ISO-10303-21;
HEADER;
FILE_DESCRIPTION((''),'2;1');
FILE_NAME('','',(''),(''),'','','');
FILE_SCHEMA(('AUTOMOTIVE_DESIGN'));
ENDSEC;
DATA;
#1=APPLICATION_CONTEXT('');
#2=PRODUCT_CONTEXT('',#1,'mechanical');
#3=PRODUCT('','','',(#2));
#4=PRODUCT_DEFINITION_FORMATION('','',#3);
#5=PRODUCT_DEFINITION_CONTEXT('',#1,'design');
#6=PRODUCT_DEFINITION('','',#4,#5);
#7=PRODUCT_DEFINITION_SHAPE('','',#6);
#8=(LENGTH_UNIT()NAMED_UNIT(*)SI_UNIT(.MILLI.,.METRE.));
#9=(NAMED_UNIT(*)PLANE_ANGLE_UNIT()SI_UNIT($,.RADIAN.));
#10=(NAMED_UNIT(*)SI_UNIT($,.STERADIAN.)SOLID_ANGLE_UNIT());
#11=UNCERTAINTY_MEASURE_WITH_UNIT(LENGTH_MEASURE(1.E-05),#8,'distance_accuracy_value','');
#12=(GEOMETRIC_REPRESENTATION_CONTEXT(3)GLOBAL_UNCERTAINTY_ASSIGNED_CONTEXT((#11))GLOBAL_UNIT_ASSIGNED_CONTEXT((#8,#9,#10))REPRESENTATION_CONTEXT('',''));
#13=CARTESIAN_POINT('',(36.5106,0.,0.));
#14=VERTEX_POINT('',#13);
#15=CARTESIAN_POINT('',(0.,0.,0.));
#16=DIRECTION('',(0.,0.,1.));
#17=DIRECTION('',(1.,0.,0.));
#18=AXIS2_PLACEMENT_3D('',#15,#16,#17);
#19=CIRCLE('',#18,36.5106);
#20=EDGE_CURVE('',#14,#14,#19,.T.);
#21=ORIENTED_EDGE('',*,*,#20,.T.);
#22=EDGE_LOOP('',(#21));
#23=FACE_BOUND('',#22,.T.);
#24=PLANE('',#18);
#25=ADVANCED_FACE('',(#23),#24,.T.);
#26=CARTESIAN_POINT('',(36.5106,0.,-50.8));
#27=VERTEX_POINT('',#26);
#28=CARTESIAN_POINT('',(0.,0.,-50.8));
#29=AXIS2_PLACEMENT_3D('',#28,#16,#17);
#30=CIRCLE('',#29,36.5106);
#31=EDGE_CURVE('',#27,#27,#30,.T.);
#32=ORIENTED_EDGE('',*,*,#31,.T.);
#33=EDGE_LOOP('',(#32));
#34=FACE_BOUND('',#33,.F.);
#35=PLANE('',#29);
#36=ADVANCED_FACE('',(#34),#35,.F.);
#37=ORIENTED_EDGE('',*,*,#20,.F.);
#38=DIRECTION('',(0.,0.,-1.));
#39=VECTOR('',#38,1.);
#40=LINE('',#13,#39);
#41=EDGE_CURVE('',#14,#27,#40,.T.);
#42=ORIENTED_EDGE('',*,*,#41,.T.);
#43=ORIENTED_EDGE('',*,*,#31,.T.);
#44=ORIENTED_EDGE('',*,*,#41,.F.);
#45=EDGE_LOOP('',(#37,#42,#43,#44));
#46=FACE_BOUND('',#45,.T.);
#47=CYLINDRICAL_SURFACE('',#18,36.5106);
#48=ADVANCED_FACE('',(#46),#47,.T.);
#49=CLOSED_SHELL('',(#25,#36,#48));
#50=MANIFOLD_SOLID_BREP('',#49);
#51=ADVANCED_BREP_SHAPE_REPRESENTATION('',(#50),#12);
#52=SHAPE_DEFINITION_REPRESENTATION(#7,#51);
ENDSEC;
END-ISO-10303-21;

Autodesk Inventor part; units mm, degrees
ref_plane "YZ Plane" through (0, 0, 0) normal (1, 0, 0) x (0, 1, 0)
ref_plane "XZ Plane" through (0, 0, 0) normal (0, 1, 0) x (-1, 0, 0)
ref_plane "XY Plane" through (0, 0, 0) normal (0, 0, 1) x (1, 0, 0)
sketch "Sketch2" plane through (0, 0, 0) normal (0, 0, 1) x (1, 0, 0)
  circle A0 centre (0, 0) radius 36.5106
  dimension "d0" = 50.8
extrude "Extrusion1" add sketch "Sketch2" against normal blind 50.8
properties part number "Cylinder"
